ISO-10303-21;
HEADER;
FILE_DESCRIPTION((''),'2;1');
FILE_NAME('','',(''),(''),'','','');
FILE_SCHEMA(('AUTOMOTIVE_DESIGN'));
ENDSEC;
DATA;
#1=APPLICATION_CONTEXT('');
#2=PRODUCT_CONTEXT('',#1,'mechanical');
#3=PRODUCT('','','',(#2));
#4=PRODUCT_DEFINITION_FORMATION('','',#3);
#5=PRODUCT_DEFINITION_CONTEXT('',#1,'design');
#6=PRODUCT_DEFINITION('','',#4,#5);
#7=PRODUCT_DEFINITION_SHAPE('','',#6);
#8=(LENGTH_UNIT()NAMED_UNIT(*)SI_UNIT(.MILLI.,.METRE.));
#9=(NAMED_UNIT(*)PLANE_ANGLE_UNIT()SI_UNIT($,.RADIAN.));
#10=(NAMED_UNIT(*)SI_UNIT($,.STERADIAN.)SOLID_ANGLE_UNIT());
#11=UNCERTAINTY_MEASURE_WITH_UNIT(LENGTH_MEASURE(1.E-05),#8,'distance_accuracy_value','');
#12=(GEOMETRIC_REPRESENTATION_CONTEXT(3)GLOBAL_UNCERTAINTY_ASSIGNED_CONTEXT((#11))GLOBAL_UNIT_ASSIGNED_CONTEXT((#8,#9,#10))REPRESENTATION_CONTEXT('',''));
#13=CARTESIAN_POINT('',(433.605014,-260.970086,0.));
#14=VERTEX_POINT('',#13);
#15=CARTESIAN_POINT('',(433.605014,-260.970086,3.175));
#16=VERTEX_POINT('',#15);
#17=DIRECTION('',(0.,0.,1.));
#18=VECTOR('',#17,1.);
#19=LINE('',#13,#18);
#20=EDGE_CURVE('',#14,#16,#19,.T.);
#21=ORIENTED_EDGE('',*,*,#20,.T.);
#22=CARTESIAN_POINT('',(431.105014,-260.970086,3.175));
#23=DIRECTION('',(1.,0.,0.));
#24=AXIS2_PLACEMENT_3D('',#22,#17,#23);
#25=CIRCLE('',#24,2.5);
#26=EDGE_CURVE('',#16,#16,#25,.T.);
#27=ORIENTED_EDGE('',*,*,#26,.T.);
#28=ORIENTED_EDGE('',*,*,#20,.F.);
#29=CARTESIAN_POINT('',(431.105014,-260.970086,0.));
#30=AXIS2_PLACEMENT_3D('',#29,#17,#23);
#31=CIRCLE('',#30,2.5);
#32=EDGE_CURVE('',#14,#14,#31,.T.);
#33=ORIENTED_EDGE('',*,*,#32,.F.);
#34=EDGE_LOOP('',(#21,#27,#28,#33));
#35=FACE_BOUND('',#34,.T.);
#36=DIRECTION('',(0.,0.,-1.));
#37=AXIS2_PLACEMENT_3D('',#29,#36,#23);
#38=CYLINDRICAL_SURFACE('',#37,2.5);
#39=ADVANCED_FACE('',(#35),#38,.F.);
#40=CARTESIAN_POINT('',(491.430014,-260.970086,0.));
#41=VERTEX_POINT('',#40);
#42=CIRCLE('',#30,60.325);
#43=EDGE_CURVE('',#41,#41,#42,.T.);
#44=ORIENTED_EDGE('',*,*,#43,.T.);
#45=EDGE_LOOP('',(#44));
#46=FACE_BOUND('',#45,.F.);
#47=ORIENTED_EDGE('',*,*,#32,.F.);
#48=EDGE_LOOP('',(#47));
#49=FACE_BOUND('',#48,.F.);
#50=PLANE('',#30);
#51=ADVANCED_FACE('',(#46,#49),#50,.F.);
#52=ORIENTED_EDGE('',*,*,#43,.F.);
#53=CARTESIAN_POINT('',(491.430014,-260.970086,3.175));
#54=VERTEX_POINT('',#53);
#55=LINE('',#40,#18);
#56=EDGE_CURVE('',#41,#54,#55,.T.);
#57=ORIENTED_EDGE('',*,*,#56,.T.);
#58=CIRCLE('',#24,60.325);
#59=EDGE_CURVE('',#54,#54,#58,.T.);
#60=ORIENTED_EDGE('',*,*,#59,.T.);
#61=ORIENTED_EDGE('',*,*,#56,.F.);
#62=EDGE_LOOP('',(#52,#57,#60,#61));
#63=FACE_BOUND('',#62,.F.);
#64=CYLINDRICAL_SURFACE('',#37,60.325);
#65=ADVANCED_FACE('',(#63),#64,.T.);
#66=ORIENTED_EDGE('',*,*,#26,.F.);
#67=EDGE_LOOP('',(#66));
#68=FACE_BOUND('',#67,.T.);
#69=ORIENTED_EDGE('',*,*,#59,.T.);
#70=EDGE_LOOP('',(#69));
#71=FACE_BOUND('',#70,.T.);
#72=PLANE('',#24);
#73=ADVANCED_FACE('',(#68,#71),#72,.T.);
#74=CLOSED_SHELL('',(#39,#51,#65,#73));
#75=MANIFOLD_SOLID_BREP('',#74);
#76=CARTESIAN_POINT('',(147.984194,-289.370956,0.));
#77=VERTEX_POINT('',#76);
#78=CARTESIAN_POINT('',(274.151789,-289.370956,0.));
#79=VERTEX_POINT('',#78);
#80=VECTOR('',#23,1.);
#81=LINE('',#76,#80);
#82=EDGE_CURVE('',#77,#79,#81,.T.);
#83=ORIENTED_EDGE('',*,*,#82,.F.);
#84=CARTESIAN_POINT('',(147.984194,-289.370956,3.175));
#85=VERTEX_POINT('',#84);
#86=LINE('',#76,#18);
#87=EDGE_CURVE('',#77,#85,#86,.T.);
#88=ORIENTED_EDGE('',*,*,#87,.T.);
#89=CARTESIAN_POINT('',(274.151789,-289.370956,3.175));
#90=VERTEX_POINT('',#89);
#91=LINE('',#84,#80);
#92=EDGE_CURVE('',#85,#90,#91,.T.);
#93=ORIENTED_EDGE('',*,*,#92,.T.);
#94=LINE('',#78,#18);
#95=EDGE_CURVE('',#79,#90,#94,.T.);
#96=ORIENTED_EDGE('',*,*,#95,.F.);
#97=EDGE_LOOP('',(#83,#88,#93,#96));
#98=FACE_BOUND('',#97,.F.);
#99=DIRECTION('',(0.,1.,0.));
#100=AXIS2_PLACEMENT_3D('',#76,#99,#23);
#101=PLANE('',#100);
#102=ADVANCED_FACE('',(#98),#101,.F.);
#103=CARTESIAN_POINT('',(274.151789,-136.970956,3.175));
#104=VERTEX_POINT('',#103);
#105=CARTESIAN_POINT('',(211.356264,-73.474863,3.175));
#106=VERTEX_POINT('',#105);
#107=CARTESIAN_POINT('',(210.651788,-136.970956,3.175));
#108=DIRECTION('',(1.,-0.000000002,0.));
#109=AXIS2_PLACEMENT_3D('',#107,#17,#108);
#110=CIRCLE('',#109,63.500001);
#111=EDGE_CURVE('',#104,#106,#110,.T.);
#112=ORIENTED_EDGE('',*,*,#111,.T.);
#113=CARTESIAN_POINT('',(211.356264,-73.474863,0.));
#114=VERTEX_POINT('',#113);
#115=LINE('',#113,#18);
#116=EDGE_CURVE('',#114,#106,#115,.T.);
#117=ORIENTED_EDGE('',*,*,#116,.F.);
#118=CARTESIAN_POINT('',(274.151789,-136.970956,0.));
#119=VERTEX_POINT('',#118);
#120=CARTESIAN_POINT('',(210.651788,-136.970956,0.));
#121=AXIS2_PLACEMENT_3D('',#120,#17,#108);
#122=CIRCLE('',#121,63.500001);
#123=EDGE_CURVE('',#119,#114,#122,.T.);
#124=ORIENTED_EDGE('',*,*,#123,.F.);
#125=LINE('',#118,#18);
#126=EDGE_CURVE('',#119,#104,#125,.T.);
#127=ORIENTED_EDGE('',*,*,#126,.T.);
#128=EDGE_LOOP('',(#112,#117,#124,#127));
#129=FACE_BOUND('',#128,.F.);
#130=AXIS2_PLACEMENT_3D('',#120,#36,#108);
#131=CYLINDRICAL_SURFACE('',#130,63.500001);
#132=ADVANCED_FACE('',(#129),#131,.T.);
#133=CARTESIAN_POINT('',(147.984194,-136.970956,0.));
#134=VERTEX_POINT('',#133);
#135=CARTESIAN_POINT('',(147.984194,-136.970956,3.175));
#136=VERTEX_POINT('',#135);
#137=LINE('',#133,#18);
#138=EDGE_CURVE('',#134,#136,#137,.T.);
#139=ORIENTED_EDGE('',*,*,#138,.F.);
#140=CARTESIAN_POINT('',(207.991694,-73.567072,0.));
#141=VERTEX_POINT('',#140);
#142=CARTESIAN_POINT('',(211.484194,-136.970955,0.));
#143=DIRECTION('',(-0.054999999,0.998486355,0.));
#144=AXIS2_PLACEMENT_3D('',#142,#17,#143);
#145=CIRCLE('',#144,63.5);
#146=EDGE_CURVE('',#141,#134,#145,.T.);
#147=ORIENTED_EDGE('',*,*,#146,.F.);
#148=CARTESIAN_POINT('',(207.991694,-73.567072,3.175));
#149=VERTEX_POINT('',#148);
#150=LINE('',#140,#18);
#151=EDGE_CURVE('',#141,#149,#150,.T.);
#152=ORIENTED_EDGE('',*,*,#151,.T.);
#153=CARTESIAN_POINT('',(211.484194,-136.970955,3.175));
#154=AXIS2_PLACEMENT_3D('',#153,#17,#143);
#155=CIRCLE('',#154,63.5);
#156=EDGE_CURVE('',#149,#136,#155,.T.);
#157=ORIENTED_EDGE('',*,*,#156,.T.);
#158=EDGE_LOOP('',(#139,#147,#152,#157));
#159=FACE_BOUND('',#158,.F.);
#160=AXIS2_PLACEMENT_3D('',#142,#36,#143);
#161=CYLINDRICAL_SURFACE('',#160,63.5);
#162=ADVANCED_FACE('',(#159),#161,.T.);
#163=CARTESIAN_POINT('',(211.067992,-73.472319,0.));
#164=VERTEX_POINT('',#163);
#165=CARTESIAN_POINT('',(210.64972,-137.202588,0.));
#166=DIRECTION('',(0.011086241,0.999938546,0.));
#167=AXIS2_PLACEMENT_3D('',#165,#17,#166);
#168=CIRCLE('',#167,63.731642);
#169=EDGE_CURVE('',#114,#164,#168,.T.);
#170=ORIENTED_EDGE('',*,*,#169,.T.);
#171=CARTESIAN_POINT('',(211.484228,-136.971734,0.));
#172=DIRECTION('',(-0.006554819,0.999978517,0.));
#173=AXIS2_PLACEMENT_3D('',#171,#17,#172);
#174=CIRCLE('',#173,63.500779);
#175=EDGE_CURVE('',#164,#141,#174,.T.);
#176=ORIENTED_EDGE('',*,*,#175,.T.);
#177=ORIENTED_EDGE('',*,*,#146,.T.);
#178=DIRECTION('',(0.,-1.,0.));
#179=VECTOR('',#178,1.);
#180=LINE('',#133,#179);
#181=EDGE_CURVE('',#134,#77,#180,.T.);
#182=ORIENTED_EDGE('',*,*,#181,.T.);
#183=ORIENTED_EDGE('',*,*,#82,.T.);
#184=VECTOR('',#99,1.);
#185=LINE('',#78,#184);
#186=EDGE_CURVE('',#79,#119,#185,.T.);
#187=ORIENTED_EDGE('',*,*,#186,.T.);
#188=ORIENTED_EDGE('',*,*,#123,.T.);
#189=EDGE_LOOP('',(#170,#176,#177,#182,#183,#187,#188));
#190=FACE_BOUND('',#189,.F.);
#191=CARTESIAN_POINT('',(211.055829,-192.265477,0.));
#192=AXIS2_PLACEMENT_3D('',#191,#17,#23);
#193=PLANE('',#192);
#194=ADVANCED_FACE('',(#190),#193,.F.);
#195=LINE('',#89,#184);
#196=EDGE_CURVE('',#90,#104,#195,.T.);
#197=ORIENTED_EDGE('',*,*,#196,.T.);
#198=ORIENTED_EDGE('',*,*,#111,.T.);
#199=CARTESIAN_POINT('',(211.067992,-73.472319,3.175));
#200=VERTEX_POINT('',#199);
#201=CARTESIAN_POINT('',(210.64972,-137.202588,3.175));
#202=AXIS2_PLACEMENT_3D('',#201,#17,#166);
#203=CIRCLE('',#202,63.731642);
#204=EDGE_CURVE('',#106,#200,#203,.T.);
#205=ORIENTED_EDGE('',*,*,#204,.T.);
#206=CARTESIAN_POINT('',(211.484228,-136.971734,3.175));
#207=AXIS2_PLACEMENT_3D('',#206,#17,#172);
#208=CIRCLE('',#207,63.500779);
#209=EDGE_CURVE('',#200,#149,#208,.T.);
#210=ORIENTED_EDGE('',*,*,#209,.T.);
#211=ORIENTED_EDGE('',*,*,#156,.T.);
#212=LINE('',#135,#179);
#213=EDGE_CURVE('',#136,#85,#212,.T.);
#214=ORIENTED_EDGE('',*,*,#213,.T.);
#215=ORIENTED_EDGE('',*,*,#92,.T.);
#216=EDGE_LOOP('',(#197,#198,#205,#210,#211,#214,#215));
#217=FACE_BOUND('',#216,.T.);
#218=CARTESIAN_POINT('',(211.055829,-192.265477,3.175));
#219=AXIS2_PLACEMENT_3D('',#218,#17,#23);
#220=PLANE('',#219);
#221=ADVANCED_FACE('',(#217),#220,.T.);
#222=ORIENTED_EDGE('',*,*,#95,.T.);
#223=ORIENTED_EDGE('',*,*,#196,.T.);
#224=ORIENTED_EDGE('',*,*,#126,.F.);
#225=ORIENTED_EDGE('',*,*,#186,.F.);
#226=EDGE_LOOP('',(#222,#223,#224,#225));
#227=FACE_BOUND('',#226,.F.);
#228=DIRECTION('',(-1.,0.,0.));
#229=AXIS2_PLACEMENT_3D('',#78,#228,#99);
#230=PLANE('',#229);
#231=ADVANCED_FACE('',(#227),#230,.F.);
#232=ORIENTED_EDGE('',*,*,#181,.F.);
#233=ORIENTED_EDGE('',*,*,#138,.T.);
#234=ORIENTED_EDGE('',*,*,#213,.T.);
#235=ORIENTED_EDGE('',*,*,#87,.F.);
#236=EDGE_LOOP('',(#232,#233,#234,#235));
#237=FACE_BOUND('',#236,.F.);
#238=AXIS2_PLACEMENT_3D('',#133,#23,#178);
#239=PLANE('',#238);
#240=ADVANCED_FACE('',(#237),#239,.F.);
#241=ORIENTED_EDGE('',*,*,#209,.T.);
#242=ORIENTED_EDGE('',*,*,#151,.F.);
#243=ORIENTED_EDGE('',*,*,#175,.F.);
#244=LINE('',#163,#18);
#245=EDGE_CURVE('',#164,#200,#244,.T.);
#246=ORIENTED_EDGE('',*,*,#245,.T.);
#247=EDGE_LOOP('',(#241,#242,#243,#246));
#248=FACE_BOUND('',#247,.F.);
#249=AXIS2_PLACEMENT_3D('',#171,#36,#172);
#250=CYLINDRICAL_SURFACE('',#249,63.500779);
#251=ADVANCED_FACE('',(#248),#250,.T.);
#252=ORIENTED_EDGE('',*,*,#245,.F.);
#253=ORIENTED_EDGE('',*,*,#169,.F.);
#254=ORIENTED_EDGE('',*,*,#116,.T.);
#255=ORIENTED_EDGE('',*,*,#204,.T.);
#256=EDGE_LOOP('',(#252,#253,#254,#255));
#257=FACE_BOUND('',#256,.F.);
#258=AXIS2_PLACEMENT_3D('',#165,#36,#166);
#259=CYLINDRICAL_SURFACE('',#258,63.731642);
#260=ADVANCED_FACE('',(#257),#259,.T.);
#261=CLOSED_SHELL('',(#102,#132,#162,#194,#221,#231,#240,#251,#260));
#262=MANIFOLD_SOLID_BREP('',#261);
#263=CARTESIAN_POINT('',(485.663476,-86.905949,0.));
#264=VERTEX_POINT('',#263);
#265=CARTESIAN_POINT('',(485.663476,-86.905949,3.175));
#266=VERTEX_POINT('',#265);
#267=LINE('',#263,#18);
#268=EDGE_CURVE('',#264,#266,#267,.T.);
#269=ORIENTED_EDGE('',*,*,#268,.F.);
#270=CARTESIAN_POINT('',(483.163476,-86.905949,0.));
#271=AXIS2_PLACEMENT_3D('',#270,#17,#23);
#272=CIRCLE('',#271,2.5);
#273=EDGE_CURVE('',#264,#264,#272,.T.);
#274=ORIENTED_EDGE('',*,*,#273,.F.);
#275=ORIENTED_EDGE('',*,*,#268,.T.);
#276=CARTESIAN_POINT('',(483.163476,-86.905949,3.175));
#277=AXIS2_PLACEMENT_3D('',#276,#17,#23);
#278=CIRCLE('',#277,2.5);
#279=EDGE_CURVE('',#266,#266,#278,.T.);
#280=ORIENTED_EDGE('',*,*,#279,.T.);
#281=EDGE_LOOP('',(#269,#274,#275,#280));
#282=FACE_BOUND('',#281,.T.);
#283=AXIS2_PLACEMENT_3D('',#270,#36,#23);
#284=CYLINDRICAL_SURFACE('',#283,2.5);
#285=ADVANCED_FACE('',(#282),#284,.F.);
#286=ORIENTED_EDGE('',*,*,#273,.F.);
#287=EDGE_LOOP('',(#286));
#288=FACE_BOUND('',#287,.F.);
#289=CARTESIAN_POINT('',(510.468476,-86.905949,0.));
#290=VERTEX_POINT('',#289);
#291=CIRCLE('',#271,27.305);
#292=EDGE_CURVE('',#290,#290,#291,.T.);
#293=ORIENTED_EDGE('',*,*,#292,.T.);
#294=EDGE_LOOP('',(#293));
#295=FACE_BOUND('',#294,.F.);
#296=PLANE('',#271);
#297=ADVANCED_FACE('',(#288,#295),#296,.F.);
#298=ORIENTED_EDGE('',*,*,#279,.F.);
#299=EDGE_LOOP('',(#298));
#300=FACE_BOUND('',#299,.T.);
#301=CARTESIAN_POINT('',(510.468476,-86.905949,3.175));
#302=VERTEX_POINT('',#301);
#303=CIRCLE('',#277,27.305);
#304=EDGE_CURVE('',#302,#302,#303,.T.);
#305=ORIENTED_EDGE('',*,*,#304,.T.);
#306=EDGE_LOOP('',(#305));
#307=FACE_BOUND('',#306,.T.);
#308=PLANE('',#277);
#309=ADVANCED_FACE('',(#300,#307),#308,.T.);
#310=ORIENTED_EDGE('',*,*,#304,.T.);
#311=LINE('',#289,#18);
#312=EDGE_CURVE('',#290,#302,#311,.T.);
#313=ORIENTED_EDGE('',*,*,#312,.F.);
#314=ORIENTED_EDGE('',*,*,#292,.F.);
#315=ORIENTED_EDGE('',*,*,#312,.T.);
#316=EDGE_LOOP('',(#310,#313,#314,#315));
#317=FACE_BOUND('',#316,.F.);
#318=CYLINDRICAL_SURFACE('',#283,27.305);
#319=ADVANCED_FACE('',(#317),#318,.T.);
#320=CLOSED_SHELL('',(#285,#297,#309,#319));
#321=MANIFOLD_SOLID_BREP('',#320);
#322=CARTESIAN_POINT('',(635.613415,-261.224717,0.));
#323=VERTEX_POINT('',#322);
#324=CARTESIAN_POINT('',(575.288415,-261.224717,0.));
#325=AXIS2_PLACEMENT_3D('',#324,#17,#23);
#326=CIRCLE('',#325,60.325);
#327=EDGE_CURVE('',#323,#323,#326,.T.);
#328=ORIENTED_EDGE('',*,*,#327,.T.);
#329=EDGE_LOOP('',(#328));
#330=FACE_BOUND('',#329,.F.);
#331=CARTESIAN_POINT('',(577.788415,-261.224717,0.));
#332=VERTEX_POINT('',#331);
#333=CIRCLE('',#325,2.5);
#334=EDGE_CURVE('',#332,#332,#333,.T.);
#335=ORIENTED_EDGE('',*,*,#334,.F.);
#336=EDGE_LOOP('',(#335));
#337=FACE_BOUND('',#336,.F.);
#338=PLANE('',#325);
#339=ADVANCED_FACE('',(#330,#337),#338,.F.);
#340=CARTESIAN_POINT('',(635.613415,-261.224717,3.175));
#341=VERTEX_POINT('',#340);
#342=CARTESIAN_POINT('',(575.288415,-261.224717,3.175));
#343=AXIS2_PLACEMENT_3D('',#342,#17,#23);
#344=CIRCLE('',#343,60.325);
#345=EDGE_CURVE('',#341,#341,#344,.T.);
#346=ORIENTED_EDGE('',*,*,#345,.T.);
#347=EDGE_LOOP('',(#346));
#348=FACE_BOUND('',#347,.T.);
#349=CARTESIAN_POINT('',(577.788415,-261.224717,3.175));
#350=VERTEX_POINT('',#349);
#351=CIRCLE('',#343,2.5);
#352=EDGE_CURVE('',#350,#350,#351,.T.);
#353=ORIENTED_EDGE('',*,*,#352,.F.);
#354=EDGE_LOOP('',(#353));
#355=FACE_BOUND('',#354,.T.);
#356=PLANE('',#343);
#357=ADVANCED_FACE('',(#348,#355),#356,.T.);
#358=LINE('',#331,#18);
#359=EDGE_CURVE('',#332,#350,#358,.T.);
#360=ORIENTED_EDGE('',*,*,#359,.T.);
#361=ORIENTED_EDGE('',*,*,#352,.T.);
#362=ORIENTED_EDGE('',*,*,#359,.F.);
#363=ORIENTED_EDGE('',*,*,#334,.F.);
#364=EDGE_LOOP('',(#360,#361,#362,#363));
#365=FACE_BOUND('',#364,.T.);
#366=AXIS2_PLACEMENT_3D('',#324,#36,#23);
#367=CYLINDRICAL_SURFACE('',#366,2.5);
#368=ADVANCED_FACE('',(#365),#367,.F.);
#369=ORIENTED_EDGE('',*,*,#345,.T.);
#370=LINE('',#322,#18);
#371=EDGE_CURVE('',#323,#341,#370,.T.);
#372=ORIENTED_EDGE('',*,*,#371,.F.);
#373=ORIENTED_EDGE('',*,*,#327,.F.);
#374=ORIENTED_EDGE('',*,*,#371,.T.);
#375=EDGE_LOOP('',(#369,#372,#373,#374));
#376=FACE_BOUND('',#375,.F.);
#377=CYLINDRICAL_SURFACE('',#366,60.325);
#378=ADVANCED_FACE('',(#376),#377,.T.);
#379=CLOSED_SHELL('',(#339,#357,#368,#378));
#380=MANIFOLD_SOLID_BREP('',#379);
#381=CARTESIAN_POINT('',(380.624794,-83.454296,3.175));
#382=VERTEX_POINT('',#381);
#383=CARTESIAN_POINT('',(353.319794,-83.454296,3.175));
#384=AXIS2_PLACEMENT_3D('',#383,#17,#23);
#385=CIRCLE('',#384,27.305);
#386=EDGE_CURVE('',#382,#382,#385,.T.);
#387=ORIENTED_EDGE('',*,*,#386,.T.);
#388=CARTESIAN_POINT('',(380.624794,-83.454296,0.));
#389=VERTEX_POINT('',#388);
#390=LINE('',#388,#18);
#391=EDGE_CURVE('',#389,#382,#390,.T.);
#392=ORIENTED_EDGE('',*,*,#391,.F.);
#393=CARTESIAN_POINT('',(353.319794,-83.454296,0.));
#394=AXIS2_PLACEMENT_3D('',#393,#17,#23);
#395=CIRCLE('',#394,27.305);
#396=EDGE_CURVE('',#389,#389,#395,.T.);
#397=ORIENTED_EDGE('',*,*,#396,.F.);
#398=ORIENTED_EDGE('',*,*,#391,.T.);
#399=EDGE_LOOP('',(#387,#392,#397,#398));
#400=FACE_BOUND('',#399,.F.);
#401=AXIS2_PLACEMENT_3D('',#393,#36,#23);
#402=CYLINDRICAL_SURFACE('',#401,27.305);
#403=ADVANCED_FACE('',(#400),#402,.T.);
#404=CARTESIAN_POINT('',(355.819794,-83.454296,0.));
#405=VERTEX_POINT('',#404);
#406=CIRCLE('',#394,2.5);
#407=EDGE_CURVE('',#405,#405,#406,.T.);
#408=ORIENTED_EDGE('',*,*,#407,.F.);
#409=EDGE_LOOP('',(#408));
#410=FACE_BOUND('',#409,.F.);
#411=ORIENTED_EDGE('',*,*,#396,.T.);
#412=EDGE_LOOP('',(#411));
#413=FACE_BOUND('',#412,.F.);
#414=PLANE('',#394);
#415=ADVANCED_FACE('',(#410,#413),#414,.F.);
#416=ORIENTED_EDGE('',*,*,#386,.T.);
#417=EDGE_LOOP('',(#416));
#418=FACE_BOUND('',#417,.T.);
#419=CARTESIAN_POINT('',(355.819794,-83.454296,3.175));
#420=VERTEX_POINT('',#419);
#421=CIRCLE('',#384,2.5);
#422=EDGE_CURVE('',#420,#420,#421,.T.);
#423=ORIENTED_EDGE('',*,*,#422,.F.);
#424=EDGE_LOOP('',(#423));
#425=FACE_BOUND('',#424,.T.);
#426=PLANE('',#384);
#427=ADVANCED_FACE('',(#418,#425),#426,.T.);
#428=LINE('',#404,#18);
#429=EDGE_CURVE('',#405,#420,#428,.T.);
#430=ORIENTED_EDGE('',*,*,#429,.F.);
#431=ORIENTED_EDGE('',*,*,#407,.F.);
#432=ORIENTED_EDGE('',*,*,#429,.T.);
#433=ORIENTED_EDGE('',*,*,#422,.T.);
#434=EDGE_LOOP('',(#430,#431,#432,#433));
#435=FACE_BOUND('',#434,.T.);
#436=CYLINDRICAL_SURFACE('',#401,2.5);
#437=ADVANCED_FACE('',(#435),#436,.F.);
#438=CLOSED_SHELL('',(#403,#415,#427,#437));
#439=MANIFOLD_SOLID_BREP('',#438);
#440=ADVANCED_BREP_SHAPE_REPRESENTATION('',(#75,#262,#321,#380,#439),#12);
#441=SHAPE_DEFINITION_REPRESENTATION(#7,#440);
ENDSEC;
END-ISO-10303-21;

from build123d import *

# Parameters (mm, degrees)
F0_R     = 60.325
F0_R_2   = 2.5
F0_R_3   = 27.305
F1_DEPTH = 3.175


with BuildPart() as f1:
    # F0 (on Top) → F1 (new body)
    with BuildSketch(Plane.XY):
        with Locations((431.105014, -260.970086)):
            Circle(F0_R)
        with Locations((431.105014, -260.970086)):
            Circle(F0_R_2, mode=Mode.SUBTRACT)
        with Locations((575.288415, -261.224717)):
            Circle(F0_R)
        with Locations((575.288415, -261.224717)):
            Circle(F0_R_2, mode=Mode.SUBTRACT)
        with Locations((483.163476, -86.905949)):
            Circle(F0_R_3)
        with Locations((483.163476, -86.905949)):
            Circle(F0_R_2, mode=Mode.SUBTRACT)
        with BuildLine():
            ThreePointArc((207.991694, -73.567072), (165.364655, -93.321922), (147.984194, -136.970956))
            Line((147.984194, -136.970956), (147.984194, -289.370956))
            Line((147.984194, -289.370956), (274.151789, -289.370956))
            Line((274.151789, -289.370956), (274.151789, -136.970956))
            ThreePointArc((274.151789, -136.970956), (255.801452, -92.319439), (211.356264, -73.474863))
            ThreePointArc((211.356264, -73.474863), (211.212129, -73.473428), (211.067992, -73.472319))
            ThreePointArc((211.067992, -73.472319), (209.529269, -73.501055), (207.991694, -73.567072))
        make_face()
        with Locations((353.319794, -83.454296)):
            Circle(F0_R_3)
        with Locations((353.319794, -83.454296)):
            Circle(F0_R_2, mode=Mode.SUBTRACT)
    extrude(amount=F1_DEPTH)


solid = f1.part
